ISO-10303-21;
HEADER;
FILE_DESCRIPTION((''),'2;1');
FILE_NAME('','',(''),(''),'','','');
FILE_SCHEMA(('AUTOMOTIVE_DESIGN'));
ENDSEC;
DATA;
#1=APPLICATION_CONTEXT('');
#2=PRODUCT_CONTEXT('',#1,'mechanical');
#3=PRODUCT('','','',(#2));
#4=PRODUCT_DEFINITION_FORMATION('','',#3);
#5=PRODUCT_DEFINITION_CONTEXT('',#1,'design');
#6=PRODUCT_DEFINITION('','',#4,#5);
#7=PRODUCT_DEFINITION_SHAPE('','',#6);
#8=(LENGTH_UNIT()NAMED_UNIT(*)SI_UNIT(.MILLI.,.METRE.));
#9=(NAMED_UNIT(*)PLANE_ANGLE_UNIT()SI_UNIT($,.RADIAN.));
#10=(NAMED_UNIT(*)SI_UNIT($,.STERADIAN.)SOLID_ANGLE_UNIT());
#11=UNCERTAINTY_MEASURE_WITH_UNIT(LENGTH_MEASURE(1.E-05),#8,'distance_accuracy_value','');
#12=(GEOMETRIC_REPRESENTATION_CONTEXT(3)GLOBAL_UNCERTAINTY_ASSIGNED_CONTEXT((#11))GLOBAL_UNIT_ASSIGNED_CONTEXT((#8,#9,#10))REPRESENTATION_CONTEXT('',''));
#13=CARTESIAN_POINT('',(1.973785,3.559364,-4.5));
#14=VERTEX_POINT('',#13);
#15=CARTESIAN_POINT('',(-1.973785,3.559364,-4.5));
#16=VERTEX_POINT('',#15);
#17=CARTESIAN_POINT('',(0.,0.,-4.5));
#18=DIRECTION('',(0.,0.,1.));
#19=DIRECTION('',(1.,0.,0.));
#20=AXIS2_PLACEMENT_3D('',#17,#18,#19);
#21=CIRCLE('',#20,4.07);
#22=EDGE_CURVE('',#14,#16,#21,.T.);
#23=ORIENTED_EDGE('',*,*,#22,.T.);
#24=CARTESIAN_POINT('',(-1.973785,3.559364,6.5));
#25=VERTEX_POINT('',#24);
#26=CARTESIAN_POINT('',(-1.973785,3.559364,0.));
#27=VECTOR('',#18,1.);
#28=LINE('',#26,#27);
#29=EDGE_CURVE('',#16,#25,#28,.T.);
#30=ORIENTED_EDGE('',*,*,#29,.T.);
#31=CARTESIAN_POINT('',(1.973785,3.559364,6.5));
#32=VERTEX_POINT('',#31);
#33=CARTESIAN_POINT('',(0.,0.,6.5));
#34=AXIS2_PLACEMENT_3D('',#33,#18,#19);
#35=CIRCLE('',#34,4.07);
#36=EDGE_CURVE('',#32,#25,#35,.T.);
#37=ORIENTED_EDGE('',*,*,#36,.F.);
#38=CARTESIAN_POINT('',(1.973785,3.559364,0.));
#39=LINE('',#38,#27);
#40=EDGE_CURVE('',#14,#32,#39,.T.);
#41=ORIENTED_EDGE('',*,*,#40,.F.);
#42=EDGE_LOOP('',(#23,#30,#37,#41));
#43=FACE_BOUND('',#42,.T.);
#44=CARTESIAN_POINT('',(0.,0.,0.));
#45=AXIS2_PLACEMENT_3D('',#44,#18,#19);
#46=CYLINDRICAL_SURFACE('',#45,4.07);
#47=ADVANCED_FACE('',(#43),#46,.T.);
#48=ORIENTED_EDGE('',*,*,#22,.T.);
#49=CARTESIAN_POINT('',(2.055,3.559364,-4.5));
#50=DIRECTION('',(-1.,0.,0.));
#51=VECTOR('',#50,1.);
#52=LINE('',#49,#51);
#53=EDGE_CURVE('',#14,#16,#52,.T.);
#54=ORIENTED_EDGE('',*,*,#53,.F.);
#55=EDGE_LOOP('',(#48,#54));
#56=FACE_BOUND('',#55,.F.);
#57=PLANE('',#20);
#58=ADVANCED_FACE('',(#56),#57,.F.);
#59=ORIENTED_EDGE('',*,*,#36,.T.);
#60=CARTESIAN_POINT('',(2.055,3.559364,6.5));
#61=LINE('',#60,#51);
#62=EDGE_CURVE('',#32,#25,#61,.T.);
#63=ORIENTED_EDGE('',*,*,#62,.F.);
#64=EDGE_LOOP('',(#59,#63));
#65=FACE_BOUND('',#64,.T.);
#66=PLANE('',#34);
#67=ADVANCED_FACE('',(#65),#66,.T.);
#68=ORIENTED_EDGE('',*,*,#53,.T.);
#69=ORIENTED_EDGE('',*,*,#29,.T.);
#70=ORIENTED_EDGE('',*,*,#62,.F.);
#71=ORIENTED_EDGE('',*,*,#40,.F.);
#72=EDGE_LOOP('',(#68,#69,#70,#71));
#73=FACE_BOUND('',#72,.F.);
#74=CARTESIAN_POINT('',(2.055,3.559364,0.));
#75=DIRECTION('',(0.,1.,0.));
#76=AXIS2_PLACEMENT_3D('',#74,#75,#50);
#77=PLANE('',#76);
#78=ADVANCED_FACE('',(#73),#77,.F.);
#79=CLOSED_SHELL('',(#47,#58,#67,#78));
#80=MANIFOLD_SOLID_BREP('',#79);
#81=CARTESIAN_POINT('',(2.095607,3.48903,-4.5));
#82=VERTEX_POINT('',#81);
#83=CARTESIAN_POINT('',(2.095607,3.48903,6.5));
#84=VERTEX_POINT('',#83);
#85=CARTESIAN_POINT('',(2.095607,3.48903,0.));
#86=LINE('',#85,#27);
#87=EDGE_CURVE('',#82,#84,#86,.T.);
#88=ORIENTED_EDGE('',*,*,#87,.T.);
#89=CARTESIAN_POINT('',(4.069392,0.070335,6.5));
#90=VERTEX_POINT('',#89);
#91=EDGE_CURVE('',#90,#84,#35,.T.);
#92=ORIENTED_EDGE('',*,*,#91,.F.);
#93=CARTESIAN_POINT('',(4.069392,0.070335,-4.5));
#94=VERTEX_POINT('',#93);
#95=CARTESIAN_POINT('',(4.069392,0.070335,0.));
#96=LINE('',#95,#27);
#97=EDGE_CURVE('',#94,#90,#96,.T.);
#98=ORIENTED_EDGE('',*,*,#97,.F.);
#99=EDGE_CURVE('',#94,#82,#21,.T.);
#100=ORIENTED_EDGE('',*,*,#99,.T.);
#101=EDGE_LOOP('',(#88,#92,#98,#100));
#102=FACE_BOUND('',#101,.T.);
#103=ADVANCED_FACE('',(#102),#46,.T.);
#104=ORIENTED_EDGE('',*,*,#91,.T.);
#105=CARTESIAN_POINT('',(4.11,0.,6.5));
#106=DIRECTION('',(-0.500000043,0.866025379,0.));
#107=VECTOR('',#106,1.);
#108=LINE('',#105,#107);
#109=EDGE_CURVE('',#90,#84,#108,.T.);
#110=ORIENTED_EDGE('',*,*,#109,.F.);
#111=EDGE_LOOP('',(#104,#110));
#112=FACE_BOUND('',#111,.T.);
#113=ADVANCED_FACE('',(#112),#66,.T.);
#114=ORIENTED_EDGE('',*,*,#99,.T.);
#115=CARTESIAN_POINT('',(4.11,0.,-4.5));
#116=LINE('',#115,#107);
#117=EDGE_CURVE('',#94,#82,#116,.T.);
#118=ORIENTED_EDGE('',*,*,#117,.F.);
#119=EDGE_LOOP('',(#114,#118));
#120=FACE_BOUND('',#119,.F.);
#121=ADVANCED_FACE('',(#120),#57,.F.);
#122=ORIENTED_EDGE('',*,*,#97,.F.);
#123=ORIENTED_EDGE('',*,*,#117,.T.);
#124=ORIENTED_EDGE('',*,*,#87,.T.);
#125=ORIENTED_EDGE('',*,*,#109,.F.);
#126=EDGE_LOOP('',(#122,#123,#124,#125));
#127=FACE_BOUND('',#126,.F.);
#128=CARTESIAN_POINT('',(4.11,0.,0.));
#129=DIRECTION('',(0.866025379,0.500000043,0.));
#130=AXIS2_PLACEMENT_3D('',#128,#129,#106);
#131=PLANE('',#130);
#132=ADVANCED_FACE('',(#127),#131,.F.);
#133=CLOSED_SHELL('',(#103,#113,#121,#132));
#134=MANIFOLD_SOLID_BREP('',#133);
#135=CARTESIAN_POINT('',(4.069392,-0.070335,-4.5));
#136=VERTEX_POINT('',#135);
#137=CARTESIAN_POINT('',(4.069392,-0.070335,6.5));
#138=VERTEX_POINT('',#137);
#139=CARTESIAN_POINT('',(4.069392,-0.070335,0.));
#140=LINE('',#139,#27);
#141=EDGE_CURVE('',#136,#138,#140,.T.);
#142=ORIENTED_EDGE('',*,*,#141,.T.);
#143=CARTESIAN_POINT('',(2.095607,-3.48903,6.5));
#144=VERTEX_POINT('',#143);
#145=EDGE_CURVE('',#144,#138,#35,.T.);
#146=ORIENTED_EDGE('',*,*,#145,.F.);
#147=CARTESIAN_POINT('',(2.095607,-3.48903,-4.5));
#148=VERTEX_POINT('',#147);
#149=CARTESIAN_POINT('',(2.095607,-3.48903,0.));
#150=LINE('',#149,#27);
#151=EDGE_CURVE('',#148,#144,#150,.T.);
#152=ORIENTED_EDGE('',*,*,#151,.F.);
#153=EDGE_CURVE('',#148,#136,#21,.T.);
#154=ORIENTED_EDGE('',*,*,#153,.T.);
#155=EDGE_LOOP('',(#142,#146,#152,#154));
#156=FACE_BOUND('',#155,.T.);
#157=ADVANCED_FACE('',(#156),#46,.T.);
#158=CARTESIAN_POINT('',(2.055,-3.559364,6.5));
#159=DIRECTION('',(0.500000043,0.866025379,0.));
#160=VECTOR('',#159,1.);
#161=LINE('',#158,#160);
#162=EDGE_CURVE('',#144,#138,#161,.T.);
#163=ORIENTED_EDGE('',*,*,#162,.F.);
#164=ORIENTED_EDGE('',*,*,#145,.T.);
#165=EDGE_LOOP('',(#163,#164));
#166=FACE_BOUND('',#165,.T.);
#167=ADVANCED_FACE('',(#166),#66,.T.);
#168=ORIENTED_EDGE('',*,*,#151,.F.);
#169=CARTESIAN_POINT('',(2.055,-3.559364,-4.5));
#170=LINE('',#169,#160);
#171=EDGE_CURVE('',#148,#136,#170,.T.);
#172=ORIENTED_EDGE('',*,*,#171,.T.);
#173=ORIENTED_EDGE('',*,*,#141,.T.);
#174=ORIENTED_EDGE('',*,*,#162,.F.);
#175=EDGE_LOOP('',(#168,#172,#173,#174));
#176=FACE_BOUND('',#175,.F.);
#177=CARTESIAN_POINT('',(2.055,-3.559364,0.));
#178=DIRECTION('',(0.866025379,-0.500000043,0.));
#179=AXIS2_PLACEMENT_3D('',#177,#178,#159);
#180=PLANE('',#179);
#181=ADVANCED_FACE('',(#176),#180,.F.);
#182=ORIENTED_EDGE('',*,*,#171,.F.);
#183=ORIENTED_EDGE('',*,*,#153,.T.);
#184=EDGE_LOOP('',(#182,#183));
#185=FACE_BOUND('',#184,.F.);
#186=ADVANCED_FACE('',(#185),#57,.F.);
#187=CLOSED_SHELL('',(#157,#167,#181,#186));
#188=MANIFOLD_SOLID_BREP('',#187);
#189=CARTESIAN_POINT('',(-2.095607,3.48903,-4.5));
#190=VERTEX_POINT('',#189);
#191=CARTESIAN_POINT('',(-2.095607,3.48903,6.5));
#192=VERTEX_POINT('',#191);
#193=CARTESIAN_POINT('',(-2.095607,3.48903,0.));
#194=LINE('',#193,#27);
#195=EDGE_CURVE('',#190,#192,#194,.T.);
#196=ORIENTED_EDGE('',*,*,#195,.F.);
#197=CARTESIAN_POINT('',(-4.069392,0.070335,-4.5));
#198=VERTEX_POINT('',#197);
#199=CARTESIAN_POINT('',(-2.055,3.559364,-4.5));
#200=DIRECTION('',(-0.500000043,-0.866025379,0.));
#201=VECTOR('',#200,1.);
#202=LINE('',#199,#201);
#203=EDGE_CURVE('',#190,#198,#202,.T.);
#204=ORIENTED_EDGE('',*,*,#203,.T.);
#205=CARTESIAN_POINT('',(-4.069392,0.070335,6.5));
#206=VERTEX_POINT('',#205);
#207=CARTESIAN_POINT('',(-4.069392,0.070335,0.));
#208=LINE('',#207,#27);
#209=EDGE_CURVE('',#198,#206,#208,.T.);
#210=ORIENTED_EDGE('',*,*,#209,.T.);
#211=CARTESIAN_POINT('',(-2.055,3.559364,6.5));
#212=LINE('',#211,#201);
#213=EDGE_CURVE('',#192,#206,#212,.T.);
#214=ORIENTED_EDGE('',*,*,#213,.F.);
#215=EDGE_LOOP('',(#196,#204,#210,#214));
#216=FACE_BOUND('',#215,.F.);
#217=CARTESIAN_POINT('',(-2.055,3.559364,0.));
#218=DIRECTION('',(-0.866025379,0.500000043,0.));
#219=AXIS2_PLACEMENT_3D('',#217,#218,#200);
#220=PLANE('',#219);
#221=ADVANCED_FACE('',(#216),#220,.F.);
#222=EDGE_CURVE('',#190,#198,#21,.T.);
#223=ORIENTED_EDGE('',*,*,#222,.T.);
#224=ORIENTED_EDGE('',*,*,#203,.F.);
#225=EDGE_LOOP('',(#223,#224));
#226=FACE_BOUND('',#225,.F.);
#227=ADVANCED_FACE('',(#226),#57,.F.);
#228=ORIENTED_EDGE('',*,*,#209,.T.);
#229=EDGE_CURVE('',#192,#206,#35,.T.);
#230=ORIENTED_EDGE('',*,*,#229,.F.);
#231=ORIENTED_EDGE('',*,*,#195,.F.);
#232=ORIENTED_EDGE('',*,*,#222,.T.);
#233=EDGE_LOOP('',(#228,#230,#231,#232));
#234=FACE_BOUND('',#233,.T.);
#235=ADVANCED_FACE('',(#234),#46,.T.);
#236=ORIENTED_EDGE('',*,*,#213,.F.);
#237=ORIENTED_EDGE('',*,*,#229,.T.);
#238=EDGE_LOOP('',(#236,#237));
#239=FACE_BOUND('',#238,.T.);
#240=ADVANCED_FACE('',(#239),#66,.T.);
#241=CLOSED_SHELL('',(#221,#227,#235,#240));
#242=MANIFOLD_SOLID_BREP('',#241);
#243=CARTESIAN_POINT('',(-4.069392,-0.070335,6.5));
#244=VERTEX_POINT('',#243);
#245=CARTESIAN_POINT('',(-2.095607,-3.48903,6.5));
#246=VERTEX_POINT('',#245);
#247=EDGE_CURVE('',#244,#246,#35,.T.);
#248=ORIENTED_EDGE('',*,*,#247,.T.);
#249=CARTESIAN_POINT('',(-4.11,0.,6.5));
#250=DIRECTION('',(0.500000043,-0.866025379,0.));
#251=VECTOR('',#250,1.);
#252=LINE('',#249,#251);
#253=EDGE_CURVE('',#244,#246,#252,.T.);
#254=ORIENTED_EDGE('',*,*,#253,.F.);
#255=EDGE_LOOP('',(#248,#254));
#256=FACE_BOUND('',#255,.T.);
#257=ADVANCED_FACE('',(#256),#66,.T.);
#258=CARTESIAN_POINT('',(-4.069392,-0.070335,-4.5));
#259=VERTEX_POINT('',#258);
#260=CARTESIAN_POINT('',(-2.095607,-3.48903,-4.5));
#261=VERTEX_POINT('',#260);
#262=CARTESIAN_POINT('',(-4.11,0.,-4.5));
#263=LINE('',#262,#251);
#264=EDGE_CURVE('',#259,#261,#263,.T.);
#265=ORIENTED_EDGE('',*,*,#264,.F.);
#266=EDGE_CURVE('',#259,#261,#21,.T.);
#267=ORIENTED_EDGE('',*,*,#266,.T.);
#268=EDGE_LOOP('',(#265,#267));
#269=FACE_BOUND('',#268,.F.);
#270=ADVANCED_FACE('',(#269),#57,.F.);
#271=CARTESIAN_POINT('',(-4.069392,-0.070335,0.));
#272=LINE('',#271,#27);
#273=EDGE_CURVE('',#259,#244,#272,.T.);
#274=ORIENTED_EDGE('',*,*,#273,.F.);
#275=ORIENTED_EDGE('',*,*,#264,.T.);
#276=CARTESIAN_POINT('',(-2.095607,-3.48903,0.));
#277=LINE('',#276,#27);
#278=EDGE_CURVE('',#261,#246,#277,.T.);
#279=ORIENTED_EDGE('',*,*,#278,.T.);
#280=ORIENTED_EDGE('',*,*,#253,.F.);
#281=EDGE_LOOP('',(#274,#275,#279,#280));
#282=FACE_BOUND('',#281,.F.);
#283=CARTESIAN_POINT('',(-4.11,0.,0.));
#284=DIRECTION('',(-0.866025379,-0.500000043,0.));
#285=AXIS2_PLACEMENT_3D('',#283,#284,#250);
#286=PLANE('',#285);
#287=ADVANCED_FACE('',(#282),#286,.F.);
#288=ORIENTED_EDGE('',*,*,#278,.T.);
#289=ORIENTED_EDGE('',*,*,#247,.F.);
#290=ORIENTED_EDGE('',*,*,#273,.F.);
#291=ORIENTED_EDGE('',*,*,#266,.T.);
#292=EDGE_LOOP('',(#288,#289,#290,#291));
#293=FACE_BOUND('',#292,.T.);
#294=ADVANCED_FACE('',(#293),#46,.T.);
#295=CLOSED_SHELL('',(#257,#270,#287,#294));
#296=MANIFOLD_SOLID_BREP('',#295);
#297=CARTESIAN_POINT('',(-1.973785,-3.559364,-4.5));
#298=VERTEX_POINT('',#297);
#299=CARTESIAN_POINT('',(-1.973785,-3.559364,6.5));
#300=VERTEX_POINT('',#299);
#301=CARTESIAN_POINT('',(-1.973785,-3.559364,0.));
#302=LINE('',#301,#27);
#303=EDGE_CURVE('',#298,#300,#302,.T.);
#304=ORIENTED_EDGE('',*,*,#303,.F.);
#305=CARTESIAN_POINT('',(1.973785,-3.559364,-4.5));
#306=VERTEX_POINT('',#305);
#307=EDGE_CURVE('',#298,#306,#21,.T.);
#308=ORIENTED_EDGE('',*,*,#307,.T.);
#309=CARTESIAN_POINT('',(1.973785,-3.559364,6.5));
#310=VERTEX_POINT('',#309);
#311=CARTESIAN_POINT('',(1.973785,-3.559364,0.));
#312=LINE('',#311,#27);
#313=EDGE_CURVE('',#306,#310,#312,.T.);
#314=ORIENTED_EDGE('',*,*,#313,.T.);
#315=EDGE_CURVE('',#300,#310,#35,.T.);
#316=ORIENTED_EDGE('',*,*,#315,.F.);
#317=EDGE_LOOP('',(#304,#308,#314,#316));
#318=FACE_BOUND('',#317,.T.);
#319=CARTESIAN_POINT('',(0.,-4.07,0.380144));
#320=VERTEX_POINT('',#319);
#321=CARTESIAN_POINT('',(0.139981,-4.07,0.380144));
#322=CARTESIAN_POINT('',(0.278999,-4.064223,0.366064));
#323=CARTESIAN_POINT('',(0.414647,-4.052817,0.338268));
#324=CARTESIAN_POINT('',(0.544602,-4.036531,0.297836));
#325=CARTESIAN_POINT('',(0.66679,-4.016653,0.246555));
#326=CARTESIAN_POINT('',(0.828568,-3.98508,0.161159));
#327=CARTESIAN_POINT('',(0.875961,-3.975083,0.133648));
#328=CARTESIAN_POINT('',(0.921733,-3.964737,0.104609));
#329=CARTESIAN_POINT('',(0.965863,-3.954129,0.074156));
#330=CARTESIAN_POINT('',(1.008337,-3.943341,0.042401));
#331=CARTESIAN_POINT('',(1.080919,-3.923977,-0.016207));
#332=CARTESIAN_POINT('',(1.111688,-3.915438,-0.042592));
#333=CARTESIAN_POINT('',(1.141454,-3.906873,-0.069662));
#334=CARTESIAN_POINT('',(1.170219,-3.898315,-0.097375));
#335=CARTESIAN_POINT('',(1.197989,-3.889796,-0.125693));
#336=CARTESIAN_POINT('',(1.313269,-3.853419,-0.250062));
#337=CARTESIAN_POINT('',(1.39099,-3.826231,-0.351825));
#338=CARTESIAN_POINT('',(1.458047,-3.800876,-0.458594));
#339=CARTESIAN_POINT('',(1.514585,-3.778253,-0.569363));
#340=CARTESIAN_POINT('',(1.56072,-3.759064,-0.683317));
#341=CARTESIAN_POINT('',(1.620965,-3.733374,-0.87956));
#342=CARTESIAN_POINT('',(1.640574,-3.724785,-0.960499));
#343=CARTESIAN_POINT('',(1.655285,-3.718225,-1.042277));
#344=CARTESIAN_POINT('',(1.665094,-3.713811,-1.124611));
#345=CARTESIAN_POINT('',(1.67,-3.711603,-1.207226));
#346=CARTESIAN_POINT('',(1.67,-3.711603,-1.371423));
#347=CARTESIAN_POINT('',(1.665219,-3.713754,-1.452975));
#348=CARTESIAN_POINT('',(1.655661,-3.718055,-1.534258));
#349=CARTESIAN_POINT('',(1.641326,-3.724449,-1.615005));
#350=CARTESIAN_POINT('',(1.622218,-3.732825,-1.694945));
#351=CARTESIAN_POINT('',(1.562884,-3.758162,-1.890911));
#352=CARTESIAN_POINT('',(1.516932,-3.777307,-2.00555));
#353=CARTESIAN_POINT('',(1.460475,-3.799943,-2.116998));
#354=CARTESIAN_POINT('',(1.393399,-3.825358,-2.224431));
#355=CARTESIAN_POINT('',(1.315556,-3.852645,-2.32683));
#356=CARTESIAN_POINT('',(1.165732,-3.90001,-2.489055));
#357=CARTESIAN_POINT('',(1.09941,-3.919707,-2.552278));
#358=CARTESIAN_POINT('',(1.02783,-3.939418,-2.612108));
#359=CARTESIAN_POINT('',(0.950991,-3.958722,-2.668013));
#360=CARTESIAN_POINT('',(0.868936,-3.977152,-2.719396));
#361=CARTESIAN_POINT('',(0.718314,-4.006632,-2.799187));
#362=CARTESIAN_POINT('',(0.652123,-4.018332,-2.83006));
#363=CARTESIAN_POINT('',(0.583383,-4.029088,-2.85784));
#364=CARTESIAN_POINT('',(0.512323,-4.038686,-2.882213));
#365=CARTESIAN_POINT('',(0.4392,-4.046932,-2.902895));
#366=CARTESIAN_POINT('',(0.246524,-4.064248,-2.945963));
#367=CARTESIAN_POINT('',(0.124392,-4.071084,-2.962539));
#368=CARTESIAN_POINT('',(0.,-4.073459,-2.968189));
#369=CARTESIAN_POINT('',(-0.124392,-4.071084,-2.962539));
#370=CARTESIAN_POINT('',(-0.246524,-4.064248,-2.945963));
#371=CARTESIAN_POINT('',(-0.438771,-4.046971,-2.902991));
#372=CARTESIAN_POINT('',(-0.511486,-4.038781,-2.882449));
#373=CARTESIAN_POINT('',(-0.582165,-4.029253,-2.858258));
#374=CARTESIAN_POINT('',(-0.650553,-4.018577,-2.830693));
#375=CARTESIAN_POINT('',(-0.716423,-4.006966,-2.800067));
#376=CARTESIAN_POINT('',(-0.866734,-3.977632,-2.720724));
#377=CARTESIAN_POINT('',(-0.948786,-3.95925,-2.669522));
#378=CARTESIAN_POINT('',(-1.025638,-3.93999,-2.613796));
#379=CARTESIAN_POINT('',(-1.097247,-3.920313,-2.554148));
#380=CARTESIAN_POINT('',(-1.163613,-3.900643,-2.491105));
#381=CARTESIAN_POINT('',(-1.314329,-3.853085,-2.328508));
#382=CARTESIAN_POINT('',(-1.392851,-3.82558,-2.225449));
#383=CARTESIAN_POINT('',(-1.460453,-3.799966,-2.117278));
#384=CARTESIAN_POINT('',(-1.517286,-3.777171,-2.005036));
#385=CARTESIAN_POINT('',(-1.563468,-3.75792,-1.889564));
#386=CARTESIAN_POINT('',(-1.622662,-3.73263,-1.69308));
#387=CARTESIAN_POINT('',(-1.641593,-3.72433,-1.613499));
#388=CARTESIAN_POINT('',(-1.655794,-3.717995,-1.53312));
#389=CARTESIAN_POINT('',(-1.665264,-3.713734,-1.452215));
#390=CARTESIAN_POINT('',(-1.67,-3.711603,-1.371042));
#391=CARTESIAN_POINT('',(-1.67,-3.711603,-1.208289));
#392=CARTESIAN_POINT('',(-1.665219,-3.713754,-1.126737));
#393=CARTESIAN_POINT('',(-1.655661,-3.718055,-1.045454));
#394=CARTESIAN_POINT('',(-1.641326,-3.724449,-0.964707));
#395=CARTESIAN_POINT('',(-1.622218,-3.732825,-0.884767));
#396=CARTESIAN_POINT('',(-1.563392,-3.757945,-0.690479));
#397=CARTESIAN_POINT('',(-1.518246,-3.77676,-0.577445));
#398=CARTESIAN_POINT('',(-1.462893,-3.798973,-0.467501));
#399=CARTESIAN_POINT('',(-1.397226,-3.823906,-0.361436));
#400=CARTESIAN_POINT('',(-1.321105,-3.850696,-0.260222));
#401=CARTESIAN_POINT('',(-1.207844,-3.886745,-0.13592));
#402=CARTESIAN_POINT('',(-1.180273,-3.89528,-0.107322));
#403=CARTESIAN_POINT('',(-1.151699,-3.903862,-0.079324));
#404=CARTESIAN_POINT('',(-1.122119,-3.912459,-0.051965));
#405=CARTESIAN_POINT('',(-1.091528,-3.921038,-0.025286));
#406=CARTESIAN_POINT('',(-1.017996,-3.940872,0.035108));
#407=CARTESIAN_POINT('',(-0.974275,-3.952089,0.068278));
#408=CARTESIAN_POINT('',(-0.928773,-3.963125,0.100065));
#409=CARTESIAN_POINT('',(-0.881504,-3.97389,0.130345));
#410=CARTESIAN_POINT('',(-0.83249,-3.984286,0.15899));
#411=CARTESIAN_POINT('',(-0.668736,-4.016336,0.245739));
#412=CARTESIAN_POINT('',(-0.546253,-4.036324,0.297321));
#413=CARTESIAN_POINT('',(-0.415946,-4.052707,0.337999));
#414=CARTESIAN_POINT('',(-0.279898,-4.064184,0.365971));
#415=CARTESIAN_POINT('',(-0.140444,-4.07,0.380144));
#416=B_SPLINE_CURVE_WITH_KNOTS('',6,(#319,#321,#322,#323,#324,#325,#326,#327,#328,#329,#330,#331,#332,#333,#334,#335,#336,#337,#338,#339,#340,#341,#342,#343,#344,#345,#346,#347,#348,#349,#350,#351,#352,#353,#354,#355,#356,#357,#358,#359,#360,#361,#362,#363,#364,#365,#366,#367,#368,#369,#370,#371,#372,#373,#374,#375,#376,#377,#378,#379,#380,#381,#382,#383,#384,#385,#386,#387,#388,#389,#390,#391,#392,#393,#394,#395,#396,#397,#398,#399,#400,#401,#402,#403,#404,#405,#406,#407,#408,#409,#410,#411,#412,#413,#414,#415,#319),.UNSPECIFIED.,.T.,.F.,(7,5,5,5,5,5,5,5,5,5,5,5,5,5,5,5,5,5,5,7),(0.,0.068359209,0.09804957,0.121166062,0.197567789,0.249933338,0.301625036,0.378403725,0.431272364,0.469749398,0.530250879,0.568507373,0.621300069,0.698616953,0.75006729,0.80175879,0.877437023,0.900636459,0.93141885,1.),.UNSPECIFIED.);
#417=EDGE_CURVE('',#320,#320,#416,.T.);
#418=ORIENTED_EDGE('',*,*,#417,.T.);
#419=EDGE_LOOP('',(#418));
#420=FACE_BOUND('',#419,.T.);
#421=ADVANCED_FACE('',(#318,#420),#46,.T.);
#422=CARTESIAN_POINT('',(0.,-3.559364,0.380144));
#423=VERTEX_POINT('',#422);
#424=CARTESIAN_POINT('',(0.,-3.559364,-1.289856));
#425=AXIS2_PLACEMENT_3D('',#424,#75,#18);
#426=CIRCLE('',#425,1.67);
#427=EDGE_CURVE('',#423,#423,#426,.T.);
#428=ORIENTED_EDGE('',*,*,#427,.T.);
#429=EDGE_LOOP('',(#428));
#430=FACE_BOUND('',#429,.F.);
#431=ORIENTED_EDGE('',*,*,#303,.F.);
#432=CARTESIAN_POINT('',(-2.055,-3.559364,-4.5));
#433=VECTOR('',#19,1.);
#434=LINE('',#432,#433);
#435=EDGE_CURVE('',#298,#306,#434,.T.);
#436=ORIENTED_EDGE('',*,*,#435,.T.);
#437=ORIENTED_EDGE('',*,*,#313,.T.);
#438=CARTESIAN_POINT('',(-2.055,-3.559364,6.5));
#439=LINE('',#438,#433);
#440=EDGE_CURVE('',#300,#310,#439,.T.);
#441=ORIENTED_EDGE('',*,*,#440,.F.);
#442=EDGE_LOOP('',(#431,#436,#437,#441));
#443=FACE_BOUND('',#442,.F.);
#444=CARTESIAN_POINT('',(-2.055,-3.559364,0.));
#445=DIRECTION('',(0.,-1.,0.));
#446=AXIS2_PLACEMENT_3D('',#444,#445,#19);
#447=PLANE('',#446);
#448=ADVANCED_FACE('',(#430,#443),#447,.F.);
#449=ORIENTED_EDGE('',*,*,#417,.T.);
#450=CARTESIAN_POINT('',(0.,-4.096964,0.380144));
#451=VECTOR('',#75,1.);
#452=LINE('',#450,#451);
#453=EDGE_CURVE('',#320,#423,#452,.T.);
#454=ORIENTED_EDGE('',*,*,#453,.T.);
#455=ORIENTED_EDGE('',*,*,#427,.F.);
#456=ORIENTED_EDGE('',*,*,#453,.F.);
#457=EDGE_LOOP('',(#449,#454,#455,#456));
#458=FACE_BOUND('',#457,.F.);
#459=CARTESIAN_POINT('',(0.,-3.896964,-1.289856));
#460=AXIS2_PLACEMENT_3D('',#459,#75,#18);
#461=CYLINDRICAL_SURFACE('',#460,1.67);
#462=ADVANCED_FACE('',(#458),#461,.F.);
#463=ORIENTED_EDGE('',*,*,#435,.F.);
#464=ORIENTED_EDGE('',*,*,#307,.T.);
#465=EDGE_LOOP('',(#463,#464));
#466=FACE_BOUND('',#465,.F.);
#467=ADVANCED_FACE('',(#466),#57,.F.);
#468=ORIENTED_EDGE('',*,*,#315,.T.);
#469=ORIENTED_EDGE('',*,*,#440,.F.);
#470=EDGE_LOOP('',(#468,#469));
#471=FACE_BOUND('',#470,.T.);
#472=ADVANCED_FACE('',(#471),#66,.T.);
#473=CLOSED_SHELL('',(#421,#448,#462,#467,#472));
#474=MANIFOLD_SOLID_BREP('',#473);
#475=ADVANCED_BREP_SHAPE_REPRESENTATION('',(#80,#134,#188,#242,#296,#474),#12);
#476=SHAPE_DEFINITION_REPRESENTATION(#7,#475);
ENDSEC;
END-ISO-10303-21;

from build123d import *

# Parameters (mm, degrees)
SKETCH002_AS_DRAWN_R                      = 1.67
EXTRUDE002_DEPTH                          = 2
EXTRUDE002_DEPTH_BACK                     = 0.2
EXTRUDE002_ONTO_SKETCH002_PITCH_ANGLE     = -90
EXTRUDE002_ONTO_SKETCH002_PLACEMENT_ANGLE = -90
EXTRUDE001_DEPTH                          = 6.5
EXTRUDE001_DEPTH_BACK                     = 4.5
SKETCH_R                                  = 4.07
EXTRUDE_DEPTH                             = 6.5
EXTRUDE_DEPTH_BACK                        = 4.5


with BuildPart() as screw_cutout:
    # Sketch002 as drawn → Extrude002 (new, two sides)
    with BuildSketch(Plane.XY) as extrude002_sk:
        Circle(SKETCH002_AS_DRAWN_R)
    extrude(amount=EXTRUDE002_DEPTH)
    extrude(extrude002_sk.sketch, amount=-EXTRUDE002_DEPTH_BACK)


with BuildPart() as screw_cutout_1:
    # Extrude002 onto Sketch002 pitch: moved
    add(screw_cutout.part.rotate(Axis((0, 0, 0), (0, 1, 0)), EXTRUDE002_ONTO_SKETCH002_PITCH_ANGLE))


with BuildPart() as screw_cutout_2:
    # Extrude002 onto Sketch002 placement: moved
    add(screw_cutout_1.part.moved(Location((0, -3.896964, -1.289856))).rotate(Axis((0, -3.896964, -1.289856), (0, 0, 1)), EXTRUDE002_ONTO_SKETCH002_PLACEMENT_ANGLE))


with BuildPart() as extrude001:
    # Sketch001 → Extrude001 (new body, two sides)
    with BuildSketch(Plane.XY) as extrude001_sk:
        Polygon((4.11, 0), (2.055, 3.559364), (-2.055, 3.559364), (-4.11, 0), (-2.055, -3.559364), (2.055, -3.559364), align=None)
    extrude(amount=EXTRUDE001_DEPTH)
    extrude(extrude001_sk.sketch, amount=-EXTRUDE001_DEPTH_BACK)


with BuildPart() as cut001:
    # Sketch → Extrude (new body, two sides)
    with BuildSketch(Plane.XY) as extrude_sk:
        Circle(SKETCH_R)
    extrude(amount=EXTRUDE_DEPTH)
    extrude(extrude_sk.sketch, amount=-EXTRUDE_DEPTH_BACK)

    # Cut: cut Extrude001
    add(extrude001.part, mode=Mode.SUBTRACT)

    # Cut001: cut Screw cutout
    add(screw_cutout_2.part, mode=Mode.SUBTRACT)


solid = cut001.part
